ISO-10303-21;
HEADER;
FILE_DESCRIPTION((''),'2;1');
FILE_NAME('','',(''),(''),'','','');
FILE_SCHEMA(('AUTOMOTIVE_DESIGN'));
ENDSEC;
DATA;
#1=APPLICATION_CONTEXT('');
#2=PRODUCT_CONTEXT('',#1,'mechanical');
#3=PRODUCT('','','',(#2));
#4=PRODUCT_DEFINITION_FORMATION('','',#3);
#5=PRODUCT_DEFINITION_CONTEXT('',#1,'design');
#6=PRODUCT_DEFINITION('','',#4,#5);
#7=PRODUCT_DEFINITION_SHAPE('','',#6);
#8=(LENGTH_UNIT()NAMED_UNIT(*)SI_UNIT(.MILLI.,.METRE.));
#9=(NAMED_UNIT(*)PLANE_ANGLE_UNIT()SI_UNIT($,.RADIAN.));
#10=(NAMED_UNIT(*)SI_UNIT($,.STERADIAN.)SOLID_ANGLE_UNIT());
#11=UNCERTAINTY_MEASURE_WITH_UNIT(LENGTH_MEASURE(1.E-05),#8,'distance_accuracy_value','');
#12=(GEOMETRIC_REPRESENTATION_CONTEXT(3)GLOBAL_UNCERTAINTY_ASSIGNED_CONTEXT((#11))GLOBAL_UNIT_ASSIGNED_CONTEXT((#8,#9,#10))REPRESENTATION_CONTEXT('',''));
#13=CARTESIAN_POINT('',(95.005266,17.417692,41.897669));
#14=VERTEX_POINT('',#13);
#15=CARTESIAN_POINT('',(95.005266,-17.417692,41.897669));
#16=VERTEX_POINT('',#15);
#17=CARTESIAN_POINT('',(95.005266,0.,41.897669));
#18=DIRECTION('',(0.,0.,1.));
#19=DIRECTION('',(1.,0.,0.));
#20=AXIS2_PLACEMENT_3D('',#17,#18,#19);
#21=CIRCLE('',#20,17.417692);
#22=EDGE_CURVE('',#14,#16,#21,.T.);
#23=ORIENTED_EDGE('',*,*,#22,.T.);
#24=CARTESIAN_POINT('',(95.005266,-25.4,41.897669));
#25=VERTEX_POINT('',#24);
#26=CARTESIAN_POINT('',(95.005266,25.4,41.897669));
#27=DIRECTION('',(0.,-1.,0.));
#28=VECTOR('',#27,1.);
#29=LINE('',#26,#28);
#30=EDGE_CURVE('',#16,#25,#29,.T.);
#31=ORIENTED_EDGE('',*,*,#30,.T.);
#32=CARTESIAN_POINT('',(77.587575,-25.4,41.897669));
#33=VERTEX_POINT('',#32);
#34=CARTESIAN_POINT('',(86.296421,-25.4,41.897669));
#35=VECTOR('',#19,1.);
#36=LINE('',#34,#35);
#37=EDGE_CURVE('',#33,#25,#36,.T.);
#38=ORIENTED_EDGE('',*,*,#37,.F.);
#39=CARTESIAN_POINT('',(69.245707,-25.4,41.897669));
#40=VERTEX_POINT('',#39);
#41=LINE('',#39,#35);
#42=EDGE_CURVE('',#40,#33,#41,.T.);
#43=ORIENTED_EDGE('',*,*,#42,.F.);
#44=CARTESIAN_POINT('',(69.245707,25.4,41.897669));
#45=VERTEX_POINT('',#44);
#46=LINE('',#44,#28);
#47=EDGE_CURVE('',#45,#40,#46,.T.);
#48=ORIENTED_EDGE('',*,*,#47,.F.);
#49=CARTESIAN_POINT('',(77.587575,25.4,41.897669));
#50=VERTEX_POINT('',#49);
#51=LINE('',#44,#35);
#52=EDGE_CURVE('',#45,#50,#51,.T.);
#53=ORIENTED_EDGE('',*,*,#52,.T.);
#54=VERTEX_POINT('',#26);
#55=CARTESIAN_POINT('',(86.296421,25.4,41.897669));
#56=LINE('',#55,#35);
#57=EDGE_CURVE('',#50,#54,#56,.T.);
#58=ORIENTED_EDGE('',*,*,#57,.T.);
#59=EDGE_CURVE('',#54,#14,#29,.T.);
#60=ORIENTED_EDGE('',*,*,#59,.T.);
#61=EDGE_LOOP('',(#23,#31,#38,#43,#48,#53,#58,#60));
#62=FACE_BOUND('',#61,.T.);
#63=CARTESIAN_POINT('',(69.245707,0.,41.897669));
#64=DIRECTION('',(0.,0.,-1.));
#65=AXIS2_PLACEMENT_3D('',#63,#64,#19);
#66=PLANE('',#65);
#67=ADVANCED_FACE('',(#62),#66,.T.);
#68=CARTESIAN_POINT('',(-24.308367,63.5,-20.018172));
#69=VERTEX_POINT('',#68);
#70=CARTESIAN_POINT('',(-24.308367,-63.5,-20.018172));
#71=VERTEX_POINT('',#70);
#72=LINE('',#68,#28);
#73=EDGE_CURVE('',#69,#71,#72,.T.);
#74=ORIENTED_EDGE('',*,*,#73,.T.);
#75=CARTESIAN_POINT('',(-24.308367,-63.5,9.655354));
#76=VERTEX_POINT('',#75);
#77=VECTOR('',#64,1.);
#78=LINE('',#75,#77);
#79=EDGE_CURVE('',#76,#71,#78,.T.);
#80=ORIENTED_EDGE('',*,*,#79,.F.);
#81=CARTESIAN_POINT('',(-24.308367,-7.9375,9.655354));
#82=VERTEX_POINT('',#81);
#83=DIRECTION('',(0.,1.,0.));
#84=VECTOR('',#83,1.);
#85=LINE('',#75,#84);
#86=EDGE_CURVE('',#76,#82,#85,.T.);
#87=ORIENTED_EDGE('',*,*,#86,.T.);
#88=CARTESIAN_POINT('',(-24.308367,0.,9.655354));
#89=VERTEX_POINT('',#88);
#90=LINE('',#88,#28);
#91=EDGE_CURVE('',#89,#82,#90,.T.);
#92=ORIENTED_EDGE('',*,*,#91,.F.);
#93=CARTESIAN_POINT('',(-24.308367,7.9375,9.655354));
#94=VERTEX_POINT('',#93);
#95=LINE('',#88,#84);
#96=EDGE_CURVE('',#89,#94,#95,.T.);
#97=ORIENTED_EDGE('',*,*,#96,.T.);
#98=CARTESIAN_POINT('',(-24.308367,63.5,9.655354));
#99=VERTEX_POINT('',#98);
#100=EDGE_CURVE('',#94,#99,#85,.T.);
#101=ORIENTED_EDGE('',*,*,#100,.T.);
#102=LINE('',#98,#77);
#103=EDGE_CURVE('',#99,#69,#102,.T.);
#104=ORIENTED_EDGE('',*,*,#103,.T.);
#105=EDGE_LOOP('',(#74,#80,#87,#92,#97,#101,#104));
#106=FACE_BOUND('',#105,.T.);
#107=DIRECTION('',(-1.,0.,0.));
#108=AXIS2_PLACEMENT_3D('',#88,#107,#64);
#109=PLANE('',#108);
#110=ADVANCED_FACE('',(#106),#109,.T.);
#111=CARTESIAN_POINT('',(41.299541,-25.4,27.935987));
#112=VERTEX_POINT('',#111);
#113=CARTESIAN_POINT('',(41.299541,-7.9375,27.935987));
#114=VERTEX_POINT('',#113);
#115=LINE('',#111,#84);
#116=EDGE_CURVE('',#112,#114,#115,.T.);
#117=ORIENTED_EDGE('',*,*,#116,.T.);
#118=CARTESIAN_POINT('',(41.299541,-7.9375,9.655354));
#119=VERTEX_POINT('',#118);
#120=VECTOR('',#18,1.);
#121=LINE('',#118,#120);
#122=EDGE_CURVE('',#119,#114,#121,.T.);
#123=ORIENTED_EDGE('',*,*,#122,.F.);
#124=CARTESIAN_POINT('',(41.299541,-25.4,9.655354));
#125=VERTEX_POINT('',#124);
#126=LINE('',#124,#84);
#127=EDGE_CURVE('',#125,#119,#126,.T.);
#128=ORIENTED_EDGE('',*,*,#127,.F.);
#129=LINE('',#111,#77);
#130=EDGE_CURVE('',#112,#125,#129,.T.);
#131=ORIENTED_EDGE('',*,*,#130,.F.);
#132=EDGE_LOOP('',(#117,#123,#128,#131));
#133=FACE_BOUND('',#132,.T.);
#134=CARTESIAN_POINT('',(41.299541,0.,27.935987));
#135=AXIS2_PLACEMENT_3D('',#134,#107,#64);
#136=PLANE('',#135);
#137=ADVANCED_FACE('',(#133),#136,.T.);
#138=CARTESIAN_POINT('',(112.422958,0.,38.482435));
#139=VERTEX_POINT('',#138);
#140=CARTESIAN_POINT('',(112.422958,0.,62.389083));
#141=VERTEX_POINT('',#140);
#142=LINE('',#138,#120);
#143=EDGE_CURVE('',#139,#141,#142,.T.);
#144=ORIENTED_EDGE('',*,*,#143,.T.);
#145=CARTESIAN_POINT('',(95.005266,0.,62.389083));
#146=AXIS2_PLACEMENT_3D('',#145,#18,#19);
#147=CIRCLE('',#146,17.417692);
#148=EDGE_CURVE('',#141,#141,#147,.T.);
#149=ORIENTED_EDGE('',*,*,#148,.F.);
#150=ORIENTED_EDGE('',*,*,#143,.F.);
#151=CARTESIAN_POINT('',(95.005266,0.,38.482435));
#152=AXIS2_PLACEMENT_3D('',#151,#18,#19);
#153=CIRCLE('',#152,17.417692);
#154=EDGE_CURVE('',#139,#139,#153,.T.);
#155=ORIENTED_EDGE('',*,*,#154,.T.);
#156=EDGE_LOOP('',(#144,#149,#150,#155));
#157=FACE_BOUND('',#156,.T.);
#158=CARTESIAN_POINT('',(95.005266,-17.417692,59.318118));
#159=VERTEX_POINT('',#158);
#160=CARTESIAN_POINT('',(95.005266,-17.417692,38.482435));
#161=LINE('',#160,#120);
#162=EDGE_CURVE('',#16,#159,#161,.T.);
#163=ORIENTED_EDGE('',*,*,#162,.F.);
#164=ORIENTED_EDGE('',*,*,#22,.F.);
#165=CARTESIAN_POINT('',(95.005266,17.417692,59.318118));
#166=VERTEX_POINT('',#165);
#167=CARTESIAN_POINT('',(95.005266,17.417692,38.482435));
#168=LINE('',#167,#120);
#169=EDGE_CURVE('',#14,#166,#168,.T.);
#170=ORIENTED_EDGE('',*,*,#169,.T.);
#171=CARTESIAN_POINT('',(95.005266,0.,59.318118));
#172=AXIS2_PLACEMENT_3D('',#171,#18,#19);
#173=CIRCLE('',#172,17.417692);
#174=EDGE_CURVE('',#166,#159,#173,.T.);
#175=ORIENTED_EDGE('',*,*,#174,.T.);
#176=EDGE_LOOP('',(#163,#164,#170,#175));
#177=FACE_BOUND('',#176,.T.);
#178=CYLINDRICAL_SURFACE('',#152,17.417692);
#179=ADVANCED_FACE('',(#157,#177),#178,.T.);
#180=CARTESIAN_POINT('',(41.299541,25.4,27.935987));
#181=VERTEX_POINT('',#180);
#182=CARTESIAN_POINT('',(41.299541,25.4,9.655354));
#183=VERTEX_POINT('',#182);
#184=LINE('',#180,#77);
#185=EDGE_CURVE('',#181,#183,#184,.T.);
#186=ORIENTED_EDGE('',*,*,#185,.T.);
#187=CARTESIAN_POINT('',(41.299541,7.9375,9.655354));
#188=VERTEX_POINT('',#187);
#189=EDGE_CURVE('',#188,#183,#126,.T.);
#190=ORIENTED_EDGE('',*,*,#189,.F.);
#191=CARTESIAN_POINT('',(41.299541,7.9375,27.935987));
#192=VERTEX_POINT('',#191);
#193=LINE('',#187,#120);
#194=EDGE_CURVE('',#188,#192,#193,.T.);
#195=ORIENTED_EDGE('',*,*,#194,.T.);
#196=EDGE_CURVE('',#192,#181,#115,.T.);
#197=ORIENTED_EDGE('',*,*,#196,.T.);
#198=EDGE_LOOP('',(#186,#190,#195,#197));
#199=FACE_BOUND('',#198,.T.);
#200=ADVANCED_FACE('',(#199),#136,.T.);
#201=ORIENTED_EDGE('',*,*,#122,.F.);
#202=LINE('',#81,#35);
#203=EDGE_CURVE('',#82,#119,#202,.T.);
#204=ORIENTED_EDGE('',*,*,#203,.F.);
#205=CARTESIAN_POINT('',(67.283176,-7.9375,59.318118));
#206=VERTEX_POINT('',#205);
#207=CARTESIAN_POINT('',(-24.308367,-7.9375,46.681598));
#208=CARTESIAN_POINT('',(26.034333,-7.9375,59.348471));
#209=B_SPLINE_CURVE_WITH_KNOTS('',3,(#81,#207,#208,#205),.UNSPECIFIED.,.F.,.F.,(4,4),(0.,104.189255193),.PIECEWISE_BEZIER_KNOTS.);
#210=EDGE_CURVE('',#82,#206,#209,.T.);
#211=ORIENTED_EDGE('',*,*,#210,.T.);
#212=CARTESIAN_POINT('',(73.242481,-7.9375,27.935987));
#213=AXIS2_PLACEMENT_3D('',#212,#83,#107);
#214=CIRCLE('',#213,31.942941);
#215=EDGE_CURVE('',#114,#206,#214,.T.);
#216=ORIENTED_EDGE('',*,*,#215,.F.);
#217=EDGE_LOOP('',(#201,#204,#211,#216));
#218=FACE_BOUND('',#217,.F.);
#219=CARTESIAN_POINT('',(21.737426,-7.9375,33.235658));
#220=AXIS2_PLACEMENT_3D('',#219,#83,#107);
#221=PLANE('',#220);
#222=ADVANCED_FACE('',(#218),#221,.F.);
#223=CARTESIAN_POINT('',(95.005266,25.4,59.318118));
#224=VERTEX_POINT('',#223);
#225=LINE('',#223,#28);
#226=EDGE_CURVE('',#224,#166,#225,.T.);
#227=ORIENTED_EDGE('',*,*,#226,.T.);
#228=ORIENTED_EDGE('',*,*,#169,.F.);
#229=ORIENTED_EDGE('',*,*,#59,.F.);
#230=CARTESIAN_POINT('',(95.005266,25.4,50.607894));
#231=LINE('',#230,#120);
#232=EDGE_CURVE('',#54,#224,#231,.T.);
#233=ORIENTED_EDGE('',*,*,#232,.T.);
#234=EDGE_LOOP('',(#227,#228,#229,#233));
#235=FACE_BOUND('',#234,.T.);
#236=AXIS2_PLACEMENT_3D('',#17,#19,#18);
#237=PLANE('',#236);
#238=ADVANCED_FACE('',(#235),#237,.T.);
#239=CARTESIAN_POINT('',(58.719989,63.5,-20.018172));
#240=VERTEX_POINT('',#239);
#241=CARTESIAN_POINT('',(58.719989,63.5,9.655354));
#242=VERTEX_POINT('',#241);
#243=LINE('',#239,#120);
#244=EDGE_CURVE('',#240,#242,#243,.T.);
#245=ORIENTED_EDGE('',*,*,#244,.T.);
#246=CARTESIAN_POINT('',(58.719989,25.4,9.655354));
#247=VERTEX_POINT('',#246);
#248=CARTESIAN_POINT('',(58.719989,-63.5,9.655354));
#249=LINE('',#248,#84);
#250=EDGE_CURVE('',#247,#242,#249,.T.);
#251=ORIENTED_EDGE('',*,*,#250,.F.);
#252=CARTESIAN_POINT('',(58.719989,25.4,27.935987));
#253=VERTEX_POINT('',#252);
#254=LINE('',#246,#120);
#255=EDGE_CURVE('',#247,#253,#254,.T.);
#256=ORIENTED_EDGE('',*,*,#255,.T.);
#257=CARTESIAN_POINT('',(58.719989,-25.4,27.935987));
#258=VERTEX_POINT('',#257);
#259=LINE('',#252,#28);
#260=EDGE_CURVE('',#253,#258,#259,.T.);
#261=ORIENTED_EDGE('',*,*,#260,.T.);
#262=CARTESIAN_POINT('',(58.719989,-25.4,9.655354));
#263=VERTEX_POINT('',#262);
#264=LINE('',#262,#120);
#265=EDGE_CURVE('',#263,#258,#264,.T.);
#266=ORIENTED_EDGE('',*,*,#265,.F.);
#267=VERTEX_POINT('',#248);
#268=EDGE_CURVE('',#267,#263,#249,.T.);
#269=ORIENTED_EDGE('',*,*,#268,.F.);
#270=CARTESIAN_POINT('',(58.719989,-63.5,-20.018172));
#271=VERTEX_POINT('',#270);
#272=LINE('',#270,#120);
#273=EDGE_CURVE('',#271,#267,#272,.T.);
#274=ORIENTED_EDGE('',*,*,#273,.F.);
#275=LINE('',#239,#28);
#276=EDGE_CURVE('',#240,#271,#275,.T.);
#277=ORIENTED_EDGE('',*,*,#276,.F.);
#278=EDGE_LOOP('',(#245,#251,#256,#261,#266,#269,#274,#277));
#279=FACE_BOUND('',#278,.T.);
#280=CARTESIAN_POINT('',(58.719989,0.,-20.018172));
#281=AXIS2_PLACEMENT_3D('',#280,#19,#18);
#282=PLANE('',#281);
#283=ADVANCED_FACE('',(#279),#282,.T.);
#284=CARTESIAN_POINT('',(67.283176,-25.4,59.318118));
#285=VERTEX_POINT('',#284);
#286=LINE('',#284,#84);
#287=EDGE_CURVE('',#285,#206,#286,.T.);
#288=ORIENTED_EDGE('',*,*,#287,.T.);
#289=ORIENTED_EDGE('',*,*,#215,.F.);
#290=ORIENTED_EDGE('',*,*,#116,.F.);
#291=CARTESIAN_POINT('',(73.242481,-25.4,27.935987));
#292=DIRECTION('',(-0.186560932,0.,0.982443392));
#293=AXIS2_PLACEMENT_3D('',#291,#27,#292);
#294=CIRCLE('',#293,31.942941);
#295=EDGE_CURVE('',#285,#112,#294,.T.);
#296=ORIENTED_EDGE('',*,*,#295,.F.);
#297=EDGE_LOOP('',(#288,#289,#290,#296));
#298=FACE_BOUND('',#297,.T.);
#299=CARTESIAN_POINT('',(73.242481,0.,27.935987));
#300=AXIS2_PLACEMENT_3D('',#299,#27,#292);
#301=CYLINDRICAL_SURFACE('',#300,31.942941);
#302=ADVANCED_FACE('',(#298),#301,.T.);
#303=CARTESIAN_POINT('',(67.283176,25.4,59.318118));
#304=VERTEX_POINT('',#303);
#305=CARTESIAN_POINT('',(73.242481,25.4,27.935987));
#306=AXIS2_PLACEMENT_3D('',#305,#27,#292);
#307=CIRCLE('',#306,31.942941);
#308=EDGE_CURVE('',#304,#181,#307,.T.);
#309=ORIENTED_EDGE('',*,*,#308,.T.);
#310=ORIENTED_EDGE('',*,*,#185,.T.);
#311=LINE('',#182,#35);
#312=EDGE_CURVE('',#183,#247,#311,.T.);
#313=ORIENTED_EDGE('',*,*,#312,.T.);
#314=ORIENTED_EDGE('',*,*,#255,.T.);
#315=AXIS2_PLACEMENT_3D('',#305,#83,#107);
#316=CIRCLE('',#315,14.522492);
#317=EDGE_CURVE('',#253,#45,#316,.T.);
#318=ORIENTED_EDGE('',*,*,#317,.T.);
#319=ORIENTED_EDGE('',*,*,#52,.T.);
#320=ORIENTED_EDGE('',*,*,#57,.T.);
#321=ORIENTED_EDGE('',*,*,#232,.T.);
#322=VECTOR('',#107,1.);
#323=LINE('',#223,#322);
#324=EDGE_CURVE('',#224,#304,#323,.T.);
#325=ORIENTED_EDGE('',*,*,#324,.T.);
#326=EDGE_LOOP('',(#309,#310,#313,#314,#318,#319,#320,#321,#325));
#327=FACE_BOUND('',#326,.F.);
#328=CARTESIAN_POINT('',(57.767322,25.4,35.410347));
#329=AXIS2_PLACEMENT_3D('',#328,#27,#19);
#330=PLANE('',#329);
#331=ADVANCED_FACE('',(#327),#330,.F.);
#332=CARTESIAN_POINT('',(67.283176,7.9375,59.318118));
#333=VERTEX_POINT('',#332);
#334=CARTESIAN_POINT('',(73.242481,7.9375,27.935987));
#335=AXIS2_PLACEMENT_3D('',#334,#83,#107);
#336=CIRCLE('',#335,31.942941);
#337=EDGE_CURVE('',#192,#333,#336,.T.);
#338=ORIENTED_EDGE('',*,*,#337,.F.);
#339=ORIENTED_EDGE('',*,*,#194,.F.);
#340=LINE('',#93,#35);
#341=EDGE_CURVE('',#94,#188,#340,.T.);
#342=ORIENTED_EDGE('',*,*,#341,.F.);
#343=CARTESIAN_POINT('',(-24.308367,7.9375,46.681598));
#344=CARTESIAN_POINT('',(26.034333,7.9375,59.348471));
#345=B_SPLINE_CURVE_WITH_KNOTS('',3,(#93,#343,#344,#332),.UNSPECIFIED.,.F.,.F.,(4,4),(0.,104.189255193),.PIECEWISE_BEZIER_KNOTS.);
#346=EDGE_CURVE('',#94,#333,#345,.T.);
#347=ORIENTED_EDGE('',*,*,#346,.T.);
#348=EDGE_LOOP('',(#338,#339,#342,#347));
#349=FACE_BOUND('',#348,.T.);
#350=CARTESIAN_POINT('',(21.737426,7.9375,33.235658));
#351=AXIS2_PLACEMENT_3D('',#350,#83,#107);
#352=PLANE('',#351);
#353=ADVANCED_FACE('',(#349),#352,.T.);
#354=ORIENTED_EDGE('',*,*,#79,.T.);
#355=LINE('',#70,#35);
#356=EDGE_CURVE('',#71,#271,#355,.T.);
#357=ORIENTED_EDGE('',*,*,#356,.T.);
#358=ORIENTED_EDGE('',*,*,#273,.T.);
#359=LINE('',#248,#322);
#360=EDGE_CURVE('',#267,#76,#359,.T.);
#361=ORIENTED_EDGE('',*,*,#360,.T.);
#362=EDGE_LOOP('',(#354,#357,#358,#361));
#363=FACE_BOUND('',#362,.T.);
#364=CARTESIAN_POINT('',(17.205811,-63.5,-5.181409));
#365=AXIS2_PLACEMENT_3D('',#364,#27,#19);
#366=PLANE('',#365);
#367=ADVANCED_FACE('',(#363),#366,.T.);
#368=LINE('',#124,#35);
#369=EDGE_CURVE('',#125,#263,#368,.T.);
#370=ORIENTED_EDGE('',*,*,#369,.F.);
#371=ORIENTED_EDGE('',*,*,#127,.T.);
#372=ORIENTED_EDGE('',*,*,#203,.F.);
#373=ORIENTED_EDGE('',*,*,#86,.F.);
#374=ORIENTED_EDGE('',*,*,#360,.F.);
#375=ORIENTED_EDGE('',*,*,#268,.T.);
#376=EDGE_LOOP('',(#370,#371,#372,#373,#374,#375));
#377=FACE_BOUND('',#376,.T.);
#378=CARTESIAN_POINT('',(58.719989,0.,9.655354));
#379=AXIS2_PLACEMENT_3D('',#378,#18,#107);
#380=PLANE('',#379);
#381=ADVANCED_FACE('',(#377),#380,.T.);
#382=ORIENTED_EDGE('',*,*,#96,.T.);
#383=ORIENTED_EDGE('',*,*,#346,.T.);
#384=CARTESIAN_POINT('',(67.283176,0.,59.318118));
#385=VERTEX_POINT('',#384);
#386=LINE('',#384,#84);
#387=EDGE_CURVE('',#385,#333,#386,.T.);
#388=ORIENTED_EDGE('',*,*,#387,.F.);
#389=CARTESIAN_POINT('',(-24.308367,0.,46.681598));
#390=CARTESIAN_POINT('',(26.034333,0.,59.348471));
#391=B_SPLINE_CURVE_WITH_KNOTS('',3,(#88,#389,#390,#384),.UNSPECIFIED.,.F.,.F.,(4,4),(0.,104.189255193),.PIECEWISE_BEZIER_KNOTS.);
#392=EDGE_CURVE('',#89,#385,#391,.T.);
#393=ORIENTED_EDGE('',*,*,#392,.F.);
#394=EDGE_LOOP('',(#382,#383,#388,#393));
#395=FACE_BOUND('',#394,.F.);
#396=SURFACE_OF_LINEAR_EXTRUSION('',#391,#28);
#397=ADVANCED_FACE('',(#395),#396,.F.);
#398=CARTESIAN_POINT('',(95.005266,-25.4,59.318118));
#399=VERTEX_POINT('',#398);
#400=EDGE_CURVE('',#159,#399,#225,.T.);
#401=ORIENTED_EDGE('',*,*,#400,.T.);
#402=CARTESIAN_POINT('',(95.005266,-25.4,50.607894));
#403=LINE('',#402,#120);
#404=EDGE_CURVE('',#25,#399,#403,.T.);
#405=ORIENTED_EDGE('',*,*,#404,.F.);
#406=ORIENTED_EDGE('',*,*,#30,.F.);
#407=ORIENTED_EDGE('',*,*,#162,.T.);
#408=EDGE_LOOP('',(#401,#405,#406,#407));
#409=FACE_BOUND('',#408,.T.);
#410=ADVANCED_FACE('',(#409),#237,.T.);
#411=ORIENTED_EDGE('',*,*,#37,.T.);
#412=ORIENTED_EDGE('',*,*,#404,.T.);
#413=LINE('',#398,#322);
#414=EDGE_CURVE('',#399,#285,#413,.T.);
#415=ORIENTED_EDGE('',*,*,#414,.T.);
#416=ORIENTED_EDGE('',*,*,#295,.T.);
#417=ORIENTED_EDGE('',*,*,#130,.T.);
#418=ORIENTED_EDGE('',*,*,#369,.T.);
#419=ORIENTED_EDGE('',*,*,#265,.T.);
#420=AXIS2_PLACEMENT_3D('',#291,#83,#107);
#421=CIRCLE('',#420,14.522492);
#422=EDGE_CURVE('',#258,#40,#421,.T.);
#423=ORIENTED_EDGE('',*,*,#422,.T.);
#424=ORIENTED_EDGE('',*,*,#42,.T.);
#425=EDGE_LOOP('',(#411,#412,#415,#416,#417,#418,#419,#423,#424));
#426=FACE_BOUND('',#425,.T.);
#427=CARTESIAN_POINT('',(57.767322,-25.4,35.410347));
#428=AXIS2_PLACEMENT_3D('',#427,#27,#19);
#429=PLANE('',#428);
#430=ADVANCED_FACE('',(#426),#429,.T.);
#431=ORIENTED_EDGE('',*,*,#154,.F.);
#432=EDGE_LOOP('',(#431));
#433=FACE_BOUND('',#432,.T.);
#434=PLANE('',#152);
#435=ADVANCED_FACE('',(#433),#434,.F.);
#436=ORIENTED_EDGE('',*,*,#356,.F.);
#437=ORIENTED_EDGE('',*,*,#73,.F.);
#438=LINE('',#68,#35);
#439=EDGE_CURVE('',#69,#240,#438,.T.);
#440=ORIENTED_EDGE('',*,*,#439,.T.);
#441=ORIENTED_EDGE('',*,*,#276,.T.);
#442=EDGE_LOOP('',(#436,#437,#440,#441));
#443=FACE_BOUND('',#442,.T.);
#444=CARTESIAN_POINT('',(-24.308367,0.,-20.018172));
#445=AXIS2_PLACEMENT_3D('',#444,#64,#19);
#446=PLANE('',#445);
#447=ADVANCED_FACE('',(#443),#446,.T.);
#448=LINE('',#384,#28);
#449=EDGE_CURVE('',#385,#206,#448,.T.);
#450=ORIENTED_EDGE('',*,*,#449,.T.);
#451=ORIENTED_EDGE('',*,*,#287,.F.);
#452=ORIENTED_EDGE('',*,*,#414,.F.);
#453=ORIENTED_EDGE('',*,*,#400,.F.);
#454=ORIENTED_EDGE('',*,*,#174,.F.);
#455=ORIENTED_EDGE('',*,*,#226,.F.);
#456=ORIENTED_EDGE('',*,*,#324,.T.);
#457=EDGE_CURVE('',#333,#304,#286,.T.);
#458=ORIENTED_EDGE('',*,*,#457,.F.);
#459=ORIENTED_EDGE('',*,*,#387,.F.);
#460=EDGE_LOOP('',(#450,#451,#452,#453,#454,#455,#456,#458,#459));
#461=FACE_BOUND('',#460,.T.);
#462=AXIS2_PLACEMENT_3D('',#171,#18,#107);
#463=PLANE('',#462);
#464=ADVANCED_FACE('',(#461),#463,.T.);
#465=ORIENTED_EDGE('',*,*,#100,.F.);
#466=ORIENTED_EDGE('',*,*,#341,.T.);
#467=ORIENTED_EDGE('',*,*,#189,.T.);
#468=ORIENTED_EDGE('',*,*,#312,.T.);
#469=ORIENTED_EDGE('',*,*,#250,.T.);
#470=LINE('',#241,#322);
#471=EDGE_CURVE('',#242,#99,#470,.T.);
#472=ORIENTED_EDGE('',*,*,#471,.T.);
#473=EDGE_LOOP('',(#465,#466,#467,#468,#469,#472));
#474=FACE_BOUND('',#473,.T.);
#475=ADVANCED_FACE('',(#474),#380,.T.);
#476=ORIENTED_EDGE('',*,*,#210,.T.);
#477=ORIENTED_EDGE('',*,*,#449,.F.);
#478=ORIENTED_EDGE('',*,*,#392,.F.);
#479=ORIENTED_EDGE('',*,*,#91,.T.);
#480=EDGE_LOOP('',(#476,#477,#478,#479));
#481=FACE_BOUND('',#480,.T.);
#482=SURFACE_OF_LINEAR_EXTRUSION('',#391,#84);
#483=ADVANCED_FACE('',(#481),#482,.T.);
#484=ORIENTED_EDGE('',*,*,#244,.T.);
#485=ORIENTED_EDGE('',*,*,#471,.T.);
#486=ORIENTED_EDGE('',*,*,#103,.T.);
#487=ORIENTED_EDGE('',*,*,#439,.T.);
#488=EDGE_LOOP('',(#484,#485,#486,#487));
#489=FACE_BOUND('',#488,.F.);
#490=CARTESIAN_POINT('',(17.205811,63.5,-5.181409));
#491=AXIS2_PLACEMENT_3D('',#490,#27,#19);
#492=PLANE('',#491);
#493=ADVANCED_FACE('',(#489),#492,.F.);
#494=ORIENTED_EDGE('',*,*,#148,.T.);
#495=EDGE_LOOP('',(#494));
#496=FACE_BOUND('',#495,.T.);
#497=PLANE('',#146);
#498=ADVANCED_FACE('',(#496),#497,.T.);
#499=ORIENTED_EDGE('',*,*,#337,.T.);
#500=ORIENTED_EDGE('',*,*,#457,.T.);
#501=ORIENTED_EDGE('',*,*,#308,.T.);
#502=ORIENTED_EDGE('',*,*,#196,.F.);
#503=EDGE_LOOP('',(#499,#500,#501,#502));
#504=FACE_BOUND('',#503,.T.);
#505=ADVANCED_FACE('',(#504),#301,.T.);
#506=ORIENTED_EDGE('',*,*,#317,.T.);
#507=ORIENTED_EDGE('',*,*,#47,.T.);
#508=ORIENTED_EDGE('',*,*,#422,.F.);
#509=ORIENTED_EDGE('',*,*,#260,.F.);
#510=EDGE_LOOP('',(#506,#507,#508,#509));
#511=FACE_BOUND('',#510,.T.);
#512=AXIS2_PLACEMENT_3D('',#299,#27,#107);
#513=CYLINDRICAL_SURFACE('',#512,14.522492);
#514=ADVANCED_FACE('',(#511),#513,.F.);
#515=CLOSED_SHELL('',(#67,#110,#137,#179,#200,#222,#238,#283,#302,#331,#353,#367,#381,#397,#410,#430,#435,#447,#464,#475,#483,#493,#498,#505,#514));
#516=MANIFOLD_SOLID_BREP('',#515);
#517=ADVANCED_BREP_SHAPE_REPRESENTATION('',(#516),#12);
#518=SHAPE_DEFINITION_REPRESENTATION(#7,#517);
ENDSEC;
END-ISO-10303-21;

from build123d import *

# Parameters (mm, degrees)
F1_DEPTH = 63.5
F0_W     = 17.417691648
F0_H     = 17.4204483628
F2_DEPTH = 25.4
F3_DEPTH = 7.9375


with BuildPart() as f1:
    # F0 (on Front) → F1 (new body, symmetric)
    with BuildSketch(Plane.XZ):
        Polygon((-24.308366701, 9.6553536132), (-24.308366701, -20.018171519), (58.7199889123, -20.018171519), (58.7199889123, 9.6553536132), (41.2995405495, 9.6553536132), align=None)
    extrude(amount=F1_DEPTH, both=True)

    # F0 (on Front) → F2 (join, symmetric)
    with BuildSketch(Plane.XZ):
        with BuildLine():
            Line((41.2995405495, 9.6553536132), (58.7199889123, 9.6553536132))
            Line((58.7199889123, 9.6553536132), (58.7199889123, 27.9359869646))
            ThreePointArc((58.7199889123, 27.9359869646), (61.6462339418, 36.6784025907), (69.2457072501, 41.8976694345))
            Line((69.2457072501, 41.8976694345), (77.5875747204, 41.8976694345))
            Line((77.5875747204, 41.8976694345), (77.5875747204, 59.3181177974))
            Line((77.5875747204, 59.3181177974), (67.2831763104, 59.3181177974))
            ThreePointArc((67.2831763104, 59.3181177974), (48.6385264432, 48.3074588245), (41.2995405495, 27.9359869646))
            Line((41.2995405495, 27.9359869646), (41.2995405495, 9.6553536132))
        make_face()
        with Locations((86.2964205444, 50.607893616)):
            Rectangle(F0_W, F0_H)
    extrude(amount=F2_DEPTH, both=True)

    # F0 (on Front) → F3 (join, symmetric)
    with BuildSketch(Plane.XZ):
        with BuildLine():
            add(Edge.make_bspline(
                [(-24.308366701, 9.6553536132), (-24.308366701, 46.6815978289), (26.0343328118, 59.3484714627), (67.2831763104, 59.3181177974)],
                knots=[0, 0, 0, 0, 104.1892551928, 104.1892551928, 104.1892551928, 104.1892551928], degree=3))
            Line((-24.308366701, 9.6553536132), (41.2995405495, 9.6553536132))
            Line((41.2995405495, 9.6553536132), (41.2995405495, 27.9359869646))
            ThreePointArc((41.2995405495, 27.9359869646), (48.6385264432, 48.3074588245), (67.2831763104, 59.3181177974))
        make_face()
    extrude(amount=F3_DEPTH, both=True)

    # F0 (on Front) → F4 (revolve)
    with BuildSketch(Plane.XZ):
        Polygon((95.0052663684, 62.3890832067), (95.0052663684, 59.3181177974), (95.0052663684, 41.8976694345), (95.0052663684, 38.4824350476), (112.4229580164, 38.4824350476), (112.4229580164, 62.3890832067), align=None)
    revolve(axis=Axis((95.0052663684, 0, 50.4357591271), (0, 0, 1)))


solid = f1.part
